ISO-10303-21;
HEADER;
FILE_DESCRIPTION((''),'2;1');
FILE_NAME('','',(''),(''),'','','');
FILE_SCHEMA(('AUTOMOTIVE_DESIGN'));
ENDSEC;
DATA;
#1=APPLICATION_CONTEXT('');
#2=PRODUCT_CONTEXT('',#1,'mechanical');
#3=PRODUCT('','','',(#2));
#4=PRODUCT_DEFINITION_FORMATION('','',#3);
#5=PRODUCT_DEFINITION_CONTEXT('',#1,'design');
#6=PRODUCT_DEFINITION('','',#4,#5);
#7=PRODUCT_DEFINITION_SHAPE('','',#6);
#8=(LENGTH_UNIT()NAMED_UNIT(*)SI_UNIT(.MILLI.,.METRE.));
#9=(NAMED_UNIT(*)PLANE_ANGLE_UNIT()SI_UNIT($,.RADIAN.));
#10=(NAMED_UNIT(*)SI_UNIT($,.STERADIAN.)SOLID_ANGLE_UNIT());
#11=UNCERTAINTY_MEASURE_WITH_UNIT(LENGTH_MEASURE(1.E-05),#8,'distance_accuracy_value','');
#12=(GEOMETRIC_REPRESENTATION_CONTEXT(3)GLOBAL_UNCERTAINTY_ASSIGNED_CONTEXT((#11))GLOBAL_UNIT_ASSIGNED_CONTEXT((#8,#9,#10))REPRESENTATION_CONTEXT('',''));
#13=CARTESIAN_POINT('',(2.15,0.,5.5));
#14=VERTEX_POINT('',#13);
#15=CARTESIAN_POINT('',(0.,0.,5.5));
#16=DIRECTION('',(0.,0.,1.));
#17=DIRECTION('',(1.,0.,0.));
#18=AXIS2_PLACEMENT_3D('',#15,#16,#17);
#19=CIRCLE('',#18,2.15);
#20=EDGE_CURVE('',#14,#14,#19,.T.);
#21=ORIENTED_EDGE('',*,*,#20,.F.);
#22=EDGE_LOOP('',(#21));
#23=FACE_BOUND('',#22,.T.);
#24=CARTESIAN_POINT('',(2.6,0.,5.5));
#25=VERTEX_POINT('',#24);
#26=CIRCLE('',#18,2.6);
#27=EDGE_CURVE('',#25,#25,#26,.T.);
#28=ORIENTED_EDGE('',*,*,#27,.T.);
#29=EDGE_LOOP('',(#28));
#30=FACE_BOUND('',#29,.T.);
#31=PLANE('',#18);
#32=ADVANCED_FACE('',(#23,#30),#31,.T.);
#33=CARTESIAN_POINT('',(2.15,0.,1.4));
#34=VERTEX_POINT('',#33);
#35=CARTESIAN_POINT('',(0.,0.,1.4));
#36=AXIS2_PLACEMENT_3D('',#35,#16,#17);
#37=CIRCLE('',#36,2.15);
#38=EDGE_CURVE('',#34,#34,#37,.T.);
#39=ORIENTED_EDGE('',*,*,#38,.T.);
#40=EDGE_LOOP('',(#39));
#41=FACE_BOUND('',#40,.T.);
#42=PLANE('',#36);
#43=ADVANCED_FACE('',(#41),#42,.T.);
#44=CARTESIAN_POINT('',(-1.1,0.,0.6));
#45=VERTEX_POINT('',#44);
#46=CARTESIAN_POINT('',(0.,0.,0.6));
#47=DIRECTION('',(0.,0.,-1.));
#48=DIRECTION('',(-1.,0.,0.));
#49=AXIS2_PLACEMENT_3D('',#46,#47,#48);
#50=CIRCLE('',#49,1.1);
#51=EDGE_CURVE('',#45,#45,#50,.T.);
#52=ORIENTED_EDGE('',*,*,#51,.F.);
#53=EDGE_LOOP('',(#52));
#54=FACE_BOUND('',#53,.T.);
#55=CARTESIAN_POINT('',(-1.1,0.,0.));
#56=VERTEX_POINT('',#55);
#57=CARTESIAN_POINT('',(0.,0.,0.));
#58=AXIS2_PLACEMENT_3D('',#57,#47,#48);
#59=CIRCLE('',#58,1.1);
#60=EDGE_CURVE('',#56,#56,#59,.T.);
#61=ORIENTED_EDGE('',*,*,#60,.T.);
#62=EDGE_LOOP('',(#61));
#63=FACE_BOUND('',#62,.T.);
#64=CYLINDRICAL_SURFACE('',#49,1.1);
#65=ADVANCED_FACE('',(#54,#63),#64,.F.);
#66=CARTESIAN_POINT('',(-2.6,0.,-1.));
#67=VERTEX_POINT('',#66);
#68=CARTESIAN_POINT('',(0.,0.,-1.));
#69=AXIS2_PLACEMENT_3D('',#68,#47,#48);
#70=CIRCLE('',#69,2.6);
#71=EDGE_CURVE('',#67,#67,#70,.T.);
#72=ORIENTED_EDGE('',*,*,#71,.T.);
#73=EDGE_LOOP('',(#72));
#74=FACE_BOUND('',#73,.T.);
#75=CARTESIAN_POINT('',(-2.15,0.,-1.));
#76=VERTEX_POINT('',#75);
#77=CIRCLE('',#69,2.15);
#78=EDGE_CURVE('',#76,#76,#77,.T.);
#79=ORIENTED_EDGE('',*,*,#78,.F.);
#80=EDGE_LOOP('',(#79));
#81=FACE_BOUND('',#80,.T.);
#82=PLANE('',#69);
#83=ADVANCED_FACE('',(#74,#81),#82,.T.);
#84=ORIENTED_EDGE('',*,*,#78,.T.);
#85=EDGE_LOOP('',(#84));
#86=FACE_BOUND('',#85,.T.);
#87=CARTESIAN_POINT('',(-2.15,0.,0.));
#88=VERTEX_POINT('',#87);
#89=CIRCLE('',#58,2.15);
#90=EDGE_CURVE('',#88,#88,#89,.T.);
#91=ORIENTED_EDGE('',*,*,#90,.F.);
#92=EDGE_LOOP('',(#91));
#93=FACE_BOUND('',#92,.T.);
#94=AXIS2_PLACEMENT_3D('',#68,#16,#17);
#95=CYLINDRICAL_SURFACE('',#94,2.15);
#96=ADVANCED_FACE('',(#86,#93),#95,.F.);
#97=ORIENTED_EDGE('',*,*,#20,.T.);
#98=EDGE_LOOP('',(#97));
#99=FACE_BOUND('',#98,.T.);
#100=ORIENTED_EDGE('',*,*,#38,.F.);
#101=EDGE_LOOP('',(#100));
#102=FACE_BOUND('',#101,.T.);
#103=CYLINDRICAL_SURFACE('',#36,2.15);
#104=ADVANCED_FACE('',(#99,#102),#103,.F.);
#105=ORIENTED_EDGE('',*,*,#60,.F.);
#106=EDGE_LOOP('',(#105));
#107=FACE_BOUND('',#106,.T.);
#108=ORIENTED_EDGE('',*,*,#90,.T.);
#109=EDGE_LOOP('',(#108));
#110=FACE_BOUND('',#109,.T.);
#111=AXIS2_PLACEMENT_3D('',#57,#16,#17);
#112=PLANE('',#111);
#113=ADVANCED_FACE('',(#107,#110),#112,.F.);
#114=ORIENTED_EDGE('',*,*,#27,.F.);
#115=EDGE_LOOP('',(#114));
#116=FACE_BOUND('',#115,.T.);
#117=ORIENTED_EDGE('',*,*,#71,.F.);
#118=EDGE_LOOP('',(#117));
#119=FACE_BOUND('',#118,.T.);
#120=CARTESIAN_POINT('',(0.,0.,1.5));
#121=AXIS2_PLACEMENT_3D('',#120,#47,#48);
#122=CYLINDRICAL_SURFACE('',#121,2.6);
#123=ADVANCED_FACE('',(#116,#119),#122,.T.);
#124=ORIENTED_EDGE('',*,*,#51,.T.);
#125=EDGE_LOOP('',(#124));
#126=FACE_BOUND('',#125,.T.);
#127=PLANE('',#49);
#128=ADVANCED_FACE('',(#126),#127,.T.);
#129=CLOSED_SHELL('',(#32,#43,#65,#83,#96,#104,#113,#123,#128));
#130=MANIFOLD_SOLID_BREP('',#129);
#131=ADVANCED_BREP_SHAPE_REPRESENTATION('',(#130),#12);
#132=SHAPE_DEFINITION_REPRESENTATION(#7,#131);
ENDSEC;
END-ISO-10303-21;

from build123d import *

# Parameters (mm, degrees)
SKETCH_1_R          = 2.6
EXTRUDE_1_DEPTH     = 1.5
SKETCH_2_R          = 1.1
CUT_EXTRUDE_1_DEPTH = 0.6
EXTRUDE_START       = 1
SKETCH_3_R          = 2.6
SKETCH_3_R_2        = 2.15
EXTRUDE_2_DEPTH     = 1
SKETCH_4_R          = 2.6
EXTRUDE_3_DEPTH     = 4
CUT_EXTRUDE_START   = -4.1
SKETCH_5_R          = 2.15
CUT_EXTRUDE_2_DEPTH = 4.1


with BuildPart() as part:
    # 草图1 → 凸台-拉伸1 (new body)
    with BuildSketch(Plane.XY):
        Circle(SKETCH_1_R)
    extrude(amount=EXTRUDE_1_DEPTH)

    # 草图2 → 切除-拉伸1 (cut)
    with BuildSketch(Plane(origin=(0, 0, 0), x_dir=(-1, 0, 0), z_dir=(0, 0, -1))):
        Circle(SKETCH_2_R)
    extrude(amount=-CUT_EXTRUDE_1_DEPTH, mode=Mode.SUBTRACT)

    # 草图3 → 凸台-拉伸2 (add)
    with BuildSketch(Plane(origin=(0, 0, 0), x_dir=(-1, 0, 0), z_dir=(0, 0, -1)).offset(EXTRUDE_START)):
        Circle(SKETCH_3_R)
        Circle(SKETCH_3_R_2, mode=Mode.SUBTRACT)
    extrude(amount=-EXTRUDE_2_DEPTH)

    # 草图4 → 凸台-拉伸3 (add)
    with BuildSketch(Plane.XY.offset(1.5)):
        with Locations(Location((0, 0, 0), (0, 0, 180))):
            Circle(SKETCH_4_R)
    extrude(amount=EXTRUDE_3_DEPTH)

    # 草图5 → 切除-拉伸2 (cut)
    with BuildSketch(Plane.XY.offset(5.5).offset(CUT_EXTRUDE_START)):
        with Locations(Location((0, 0, 0), (0, 0, 180))):
            Circle(SKETCH_5_R)
    extrude(amount=CUT_EXTRUDE_2_DEPTH, mode=Mode.SUBTRACT)


solid = part.part
